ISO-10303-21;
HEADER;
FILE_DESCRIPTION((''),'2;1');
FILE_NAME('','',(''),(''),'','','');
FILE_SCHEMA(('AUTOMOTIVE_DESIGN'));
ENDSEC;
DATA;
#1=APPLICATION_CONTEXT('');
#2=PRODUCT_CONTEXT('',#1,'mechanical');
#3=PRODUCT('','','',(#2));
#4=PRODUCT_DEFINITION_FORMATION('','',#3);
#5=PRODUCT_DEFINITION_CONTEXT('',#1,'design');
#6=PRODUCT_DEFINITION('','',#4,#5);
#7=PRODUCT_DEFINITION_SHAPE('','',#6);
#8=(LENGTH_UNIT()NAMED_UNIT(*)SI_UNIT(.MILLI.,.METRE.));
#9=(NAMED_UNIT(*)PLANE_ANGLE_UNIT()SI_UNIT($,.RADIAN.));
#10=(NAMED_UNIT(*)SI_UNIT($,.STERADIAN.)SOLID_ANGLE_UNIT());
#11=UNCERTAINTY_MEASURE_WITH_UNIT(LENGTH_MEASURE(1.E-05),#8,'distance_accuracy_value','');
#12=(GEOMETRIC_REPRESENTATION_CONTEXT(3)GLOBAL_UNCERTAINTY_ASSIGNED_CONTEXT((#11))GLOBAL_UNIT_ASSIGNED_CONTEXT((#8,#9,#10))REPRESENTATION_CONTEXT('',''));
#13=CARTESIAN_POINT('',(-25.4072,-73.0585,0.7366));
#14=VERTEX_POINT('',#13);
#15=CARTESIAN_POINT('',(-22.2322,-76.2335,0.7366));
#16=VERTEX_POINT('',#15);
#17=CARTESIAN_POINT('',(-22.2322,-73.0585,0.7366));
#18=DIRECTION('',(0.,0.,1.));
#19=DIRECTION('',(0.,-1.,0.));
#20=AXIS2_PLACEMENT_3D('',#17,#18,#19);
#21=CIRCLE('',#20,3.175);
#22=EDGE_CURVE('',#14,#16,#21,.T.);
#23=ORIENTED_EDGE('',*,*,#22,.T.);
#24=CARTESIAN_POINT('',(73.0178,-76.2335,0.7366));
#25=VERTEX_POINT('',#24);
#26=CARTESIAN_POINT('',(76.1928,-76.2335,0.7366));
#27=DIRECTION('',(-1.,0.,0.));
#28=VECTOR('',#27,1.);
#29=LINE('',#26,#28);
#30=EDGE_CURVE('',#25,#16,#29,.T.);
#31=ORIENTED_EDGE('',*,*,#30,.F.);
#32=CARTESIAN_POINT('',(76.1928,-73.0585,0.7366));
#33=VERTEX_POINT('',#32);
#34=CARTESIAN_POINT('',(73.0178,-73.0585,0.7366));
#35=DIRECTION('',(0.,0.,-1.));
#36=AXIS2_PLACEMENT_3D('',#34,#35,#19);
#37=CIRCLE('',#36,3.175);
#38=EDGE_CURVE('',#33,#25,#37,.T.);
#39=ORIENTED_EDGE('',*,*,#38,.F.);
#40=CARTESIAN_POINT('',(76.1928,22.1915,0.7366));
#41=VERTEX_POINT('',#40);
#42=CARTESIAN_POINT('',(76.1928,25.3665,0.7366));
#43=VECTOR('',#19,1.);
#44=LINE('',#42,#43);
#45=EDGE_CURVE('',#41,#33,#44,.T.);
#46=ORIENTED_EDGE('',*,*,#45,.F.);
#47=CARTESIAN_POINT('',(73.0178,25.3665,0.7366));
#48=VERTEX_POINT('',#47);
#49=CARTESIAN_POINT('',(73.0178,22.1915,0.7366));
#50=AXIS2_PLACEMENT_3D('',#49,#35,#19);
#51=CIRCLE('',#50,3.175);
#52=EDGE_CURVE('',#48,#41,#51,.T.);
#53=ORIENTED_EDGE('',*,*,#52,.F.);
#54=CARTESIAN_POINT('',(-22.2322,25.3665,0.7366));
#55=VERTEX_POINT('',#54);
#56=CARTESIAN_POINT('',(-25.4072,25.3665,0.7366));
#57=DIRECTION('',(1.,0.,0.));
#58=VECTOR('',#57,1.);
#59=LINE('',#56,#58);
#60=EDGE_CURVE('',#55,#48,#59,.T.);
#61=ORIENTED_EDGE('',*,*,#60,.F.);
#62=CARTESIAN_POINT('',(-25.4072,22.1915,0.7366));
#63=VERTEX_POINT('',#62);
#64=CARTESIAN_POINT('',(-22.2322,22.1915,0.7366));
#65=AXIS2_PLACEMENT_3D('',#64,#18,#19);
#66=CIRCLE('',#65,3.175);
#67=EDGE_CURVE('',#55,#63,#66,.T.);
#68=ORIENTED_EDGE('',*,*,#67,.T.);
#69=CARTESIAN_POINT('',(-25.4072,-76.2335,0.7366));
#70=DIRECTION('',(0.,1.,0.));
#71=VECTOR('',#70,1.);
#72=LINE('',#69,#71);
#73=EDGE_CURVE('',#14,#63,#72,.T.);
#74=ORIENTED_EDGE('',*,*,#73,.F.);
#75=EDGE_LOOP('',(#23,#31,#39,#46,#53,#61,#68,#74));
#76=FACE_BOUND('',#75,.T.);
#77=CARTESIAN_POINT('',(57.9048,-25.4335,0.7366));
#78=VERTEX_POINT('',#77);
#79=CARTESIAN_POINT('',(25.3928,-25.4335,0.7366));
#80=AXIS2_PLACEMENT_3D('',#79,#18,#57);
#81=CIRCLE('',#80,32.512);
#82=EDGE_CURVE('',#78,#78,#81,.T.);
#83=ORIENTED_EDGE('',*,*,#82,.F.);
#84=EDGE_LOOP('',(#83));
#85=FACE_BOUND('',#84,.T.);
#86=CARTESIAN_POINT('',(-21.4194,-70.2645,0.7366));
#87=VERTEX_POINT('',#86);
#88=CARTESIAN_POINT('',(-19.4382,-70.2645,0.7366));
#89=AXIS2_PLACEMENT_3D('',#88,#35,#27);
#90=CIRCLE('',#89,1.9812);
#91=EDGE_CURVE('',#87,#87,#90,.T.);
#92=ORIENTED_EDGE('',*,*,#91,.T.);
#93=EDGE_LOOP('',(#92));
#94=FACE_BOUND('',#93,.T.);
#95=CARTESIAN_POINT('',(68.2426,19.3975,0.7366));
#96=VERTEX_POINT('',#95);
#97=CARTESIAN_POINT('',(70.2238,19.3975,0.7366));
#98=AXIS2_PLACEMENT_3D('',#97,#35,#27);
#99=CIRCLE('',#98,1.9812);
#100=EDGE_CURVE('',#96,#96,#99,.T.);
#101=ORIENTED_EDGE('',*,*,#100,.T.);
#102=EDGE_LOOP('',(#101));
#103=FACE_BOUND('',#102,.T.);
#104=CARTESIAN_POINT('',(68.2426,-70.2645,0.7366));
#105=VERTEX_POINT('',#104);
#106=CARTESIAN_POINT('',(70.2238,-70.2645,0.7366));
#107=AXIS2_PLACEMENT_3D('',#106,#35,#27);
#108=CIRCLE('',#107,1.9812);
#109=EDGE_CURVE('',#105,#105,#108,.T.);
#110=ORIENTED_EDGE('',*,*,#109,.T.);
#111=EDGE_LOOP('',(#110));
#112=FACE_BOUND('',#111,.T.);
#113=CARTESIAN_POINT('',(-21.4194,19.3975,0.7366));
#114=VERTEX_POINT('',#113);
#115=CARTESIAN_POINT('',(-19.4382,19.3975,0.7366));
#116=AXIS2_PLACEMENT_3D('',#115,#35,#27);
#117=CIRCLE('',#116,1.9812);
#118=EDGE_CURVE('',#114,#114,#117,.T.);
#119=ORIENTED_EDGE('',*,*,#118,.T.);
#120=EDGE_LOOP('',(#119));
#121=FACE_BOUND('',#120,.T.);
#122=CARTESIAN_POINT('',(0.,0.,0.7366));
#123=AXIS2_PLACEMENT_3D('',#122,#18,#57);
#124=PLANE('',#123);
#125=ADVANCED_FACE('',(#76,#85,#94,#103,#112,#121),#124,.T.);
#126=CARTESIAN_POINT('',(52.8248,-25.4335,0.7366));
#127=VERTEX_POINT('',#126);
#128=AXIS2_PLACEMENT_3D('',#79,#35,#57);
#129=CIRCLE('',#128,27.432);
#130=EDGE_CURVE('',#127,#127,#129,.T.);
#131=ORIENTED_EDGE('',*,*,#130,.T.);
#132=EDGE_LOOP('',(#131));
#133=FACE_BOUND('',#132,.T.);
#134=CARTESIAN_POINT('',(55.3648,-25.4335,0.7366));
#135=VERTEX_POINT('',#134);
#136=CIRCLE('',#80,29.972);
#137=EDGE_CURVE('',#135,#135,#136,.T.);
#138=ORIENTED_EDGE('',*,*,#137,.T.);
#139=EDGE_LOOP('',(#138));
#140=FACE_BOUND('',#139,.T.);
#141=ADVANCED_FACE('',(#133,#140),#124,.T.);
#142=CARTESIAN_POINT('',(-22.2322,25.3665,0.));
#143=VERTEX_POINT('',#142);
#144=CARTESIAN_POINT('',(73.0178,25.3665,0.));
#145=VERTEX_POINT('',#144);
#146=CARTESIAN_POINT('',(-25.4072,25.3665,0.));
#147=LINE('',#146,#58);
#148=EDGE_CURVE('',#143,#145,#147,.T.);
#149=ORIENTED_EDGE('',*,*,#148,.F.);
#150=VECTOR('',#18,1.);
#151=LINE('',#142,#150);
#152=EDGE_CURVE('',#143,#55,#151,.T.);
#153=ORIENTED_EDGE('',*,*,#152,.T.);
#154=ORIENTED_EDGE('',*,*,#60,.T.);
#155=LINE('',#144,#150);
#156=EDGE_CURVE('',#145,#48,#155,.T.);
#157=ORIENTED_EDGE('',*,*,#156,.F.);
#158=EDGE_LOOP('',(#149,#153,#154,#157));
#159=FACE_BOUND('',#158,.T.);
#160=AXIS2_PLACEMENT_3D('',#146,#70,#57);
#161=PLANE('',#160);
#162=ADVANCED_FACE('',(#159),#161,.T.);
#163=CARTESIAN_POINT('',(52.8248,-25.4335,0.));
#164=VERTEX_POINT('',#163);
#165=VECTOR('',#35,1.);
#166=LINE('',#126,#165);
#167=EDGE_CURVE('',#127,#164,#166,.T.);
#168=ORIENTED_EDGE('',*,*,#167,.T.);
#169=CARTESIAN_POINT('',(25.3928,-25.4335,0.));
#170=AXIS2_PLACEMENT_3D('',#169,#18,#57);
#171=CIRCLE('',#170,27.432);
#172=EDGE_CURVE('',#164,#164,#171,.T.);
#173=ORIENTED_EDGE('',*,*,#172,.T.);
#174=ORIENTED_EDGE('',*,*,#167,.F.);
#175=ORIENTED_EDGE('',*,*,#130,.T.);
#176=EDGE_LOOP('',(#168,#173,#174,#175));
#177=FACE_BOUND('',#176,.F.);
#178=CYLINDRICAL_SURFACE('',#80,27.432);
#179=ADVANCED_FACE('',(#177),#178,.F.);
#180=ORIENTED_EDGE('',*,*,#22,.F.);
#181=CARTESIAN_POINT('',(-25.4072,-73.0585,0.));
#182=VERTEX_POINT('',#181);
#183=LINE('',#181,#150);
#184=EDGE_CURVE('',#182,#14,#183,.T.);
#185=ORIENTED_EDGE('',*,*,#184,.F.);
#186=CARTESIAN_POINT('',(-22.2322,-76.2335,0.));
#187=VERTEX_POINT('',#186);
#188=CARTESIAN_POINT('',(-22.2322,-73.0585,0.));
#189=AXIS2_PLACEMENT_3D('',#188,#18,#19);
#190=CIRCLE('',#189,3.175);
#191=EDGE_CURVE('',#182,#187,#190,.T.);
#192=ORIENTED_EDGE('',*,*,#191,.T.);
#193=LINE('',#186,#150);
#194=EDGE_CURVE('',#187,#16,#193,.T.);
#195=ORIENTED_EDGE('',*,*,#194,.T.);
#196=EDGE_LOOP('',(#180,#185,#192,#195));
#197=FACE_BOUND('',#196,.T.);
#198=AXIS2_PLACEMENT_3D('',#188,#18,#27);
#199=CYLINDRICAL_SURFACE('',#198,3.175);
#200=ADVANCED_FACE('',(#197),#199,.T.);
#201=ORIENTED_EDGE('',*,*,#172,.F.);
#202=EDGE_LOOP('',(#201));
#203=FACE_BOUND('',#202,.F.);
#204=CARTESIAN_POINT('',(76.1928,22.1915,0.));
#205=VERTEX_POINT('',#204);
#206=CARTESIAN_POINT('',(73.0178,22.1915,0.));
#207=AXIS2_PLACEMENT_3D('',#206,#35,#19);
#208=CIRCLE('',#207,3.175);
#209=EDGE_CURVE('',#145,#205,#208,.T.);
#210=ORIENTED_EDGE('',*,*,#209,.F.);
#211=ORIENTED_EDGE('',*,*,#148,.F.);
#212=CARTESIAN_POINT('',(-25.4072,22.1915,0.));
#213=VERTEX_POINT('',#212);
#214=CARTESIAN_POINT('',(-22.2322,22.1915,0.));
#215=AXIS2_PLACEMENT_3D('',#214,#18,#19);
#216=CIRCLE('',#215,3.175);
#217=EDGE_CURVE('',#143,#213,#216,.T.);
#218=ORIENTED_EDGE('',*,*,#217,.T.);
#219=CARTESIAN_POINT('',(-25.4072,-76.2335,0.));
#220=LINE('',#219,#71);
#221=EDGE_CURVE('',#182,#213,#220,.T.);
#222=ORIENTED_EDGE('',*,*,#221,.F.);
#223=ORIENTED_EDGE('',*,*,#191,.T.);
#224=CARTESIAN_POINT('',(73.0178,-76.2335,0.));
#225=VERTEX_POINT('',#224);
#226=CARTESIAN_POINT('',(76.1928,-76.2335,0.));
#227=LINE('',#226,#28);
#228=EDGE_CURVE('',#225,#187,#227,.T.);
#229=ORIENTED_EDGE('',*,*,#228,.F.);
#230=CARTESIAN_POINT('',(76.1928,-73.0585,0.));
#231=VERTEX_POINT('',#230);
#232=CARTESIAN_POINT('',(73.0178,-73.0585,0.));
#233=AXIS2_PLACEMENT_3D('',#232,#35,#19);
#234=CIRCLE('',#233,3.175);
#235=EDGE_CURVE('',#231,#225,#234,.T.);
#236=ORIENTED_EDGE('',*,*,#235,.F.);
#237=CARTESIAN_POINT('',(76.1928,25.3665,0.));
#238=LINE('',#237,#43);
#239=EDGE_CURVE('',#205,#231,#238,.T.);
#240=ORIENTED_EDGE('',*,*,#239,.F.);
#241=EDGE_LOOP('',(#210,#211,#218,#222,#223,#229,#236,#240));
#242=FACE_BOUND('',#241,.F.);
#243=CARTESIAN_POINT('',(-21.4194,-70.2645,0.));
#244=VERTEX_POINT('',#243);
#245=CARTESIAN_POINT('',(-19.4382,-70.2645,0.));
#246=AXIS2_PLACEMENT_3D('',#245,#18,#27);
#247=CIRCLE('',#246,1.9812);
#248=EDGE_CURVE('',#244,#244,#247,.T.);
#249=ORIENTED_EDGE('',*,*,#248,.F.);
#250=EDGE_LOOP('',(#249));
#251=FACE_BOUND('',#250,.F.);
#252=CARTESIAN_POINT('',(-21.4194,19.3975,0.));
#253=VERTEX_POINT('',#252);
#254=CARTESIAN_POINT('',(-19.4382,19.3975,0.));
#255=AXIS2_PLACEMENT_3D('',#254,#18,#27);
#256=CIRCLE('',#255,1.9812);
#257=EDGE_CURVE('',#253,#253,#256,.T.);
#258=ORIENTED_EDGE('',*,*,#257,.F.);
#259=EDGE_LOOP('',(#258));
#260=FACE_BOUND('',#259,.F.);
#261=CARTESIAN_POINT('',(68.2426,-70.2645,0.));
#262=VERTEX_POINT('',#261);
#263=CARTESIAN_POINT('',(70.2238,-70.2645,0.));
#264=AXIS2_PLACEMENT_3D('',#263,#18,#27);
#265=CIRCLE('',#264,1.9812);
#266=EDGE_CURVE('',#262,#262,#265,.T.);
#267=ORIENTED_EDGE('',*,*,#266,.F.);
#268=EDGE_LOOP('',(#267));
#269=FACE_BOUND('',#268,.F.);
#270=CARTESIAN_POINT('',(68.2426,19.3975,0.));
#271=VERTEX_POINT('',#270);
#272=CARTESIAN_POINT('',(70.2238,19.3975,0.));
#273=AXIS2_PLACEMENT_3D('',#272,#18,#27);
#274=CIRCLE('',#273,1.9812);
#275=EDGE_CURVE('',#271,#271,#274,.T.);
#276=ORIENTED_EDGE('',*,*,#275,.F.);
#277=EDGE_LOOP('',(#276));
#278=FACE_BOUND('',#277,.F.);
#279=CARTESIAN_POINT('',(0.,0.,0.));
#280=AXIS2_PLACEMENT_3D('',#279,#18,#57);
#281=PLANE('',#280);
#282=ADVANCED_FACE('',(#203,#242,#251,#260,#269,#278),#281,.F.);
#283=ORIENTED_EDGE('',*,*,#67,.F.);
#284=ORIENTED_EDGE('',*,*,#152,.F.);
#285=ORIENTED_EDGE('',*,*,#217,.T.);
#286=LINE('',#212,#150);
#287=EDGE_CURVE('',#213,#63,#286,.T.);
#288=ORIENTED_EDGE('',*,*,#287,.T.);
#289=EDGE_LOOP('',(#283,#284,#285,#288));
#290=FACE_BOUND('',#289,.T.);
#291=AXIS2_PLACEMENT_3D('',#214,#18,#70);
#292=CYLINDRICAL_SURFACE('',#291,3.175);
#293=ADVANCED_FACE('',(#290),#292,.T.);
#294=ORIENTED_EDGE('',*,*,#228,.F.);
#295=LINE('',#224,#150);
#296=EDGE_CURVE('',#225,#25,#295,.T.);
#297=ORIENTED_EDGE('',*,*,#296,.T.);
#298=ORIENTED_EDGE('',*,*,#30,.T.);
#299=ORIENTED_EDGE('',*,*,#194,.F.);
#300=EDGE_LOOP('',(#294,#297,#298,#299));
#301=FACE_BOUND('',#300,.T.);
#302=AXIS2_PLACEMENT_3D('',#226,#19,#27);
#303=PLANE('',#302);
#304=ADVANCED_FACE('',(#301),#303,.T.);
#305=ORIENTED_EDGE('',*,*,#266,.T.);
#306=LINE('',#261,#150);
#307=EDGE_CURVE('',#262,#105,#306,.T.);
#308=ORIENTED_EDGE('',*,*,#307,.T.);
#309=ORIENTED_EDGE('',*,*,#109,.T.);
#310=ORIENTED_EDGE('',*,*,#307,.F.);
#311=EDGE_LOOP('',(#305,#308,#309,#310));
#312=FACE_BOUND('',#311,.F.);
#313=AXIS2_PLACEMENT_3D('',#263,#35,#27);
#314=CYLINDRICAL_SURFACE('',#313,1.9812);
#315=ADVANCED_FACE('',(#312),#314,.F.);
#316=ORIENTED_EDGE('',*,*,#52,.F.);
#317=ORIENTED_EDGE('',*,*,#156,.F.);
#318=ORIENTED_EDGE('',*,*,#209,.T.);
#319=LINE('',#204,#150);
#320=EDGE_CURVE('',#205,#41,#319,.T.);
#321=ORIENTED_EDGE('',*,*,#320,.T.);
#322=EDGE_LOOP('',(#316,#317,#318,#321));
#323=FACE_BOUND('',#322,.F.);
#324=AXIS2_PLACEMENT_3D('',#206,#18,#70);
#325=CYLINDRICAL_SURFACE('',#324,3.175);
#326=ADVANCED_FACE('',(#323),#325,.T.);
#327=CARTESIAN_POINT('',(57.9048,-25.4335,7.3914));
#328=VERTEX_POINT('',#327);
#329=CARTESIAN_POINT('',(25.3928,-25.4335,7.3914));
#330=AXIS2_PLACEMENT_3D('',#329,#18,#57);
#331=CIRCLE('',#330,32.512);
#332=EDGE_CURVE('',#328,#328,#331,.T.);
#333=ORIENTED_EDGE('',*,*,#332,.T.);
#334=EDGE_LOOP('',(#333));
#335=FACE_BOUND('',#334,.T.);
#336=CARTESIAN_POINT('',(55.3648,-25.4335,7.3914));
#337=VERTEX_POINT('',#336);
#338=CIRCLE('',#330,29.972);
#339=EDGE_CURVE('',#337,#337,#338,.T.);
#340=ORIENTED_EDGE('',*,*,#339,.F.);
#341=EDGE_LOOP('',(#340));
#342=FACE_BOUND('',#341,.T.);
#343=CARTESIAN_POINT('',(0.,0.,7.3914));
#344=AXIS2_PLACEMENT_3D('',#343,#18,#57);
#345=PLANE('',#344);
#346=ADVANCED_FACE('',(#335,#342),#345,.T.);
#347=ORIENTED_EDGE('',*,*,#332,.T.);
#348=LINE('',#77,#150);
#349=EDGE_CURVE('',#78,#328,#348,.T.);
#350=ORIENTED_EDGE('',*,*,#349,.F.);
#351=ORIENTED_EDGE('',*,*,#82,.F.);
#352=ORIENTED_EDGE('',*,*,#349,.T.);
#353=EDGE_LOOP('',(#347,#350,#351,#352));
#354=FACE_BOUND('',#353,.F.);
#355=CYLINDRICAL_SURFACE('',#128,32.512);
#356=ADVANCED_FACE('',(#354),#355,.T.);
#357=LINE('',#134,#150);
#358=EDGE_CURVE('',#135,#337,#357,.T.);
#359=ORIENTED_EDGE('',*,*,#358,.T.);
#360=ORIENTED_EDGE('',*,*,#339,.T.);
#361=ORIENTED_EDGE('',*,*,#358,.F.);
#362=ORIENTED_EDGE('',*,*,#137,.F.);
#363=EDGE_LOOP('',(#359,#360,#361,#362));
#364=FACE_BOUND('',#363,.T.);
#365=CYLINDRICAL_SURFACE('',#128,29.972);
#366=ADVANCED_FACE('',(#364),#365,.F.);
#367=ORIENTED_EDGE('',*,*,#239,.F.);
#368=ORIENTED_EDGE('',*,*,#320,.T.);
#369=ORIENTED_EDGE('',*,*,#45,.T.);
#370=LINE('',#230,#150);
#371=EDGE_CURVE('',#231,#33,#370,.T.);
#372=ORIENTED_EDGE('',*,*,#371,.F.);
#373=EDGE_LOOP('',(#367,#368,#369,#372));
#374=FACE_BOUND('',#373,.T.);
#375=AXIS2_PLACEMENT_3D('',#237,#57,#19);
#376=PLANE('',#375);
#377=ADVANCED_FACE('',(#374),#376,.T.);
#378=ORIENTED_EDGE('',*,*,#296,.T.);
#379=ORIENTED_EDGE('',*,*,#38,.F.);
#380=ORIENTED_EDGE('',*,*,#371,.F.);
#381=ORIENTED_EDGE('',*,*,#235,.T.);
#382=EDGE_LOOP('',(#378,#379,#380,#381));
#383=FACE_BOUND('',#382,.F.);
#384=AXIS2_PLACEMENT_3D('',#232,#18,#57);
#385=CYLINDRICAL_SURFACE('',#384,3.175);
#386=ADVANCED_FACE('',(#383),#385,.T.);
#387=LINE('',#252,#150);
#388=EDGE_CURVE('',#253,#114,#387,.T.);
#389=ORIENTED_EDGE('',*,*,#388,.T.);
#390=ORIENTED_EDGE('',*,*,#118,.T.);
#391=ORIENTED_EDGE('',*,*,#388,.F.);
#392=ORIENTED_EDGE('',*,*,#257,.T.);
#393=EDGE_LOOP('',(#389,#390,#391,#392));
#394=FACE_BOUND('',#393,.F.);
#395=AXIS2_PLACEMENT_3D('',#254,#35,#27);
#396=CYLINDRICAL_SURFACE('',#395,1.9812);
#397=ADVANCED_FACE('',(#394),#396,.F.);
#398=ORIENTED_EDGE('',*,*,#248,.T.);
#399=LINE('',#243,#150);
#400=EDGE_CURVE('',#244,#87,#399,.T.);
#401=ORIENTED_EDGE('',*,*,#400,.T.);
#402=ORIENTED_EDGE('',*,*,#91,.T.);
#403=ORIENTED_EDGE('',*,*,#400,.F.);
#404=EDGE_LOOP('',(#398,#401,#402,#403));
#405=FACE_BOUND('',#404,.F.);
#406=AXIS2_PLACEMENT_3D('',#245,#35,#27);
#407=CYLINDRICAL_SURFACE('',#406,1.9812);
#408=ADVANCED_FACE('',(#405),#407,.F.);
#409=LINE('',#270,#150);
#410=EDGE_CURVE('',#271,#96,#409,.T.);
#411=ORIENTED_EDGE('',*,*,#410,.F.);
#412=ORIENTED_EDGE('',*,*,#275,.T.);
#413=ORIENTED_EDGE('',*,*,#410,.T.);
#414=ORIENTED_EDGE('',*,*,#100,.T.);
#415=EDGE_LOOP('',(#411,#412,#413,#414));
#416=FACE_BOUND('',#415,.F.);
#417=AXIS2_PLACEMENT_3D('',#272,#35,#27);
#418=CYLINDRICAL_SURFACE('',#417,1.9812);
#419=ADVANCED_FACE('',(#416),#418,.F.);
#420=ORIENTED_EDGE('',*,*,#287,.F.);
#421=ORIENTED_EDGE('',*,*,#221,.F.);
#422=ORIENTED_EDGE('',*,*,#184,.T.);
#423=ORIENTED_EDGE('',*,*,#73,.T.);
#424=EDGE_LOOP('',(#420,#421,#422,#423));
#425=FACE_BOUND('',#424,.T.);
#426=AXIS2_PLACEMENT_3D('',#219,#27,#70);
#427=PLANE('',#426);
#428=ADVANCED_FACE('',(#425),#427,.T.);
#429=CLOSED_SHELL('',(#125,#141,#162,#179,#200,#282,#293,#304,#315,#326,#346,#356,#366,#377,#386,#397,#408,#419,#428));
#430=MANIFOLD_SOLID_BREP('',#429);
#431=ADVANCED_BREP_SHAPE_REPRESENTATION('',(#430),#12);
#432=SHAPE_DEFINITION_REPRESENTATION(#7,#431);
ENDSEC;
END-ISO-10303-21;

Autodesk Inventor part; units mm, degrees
ref_plane "YZ Plane" through (0, 0, 0) normal (1, 0, 0) x (0, 1, 0)
ref_plane "XZ Plane" through (0, 0, 0) normal (0, 1, 0) x (-1, 0, 0)
ref_plane "XY Plane" through (0, 0, 0) normal (0, 0, 1) x (1, 0, 0)
sketch "Sketch1" plane through (0, 0, 0) normal (0, 0, 1) x (1, 0, 0)
  line L0 (-25.4072, 25.3665) -> (76.1928, 25.3665)
  line L1 (76.1928, 25.3665) -> (76.1928, -76.2335)
  line L2 (76.1928, -76.2335) -> (-25.4072, -76.2335)
  line L3 (-25.4072, -76.2335) -> (-25.4072, 25.3665)
  point P0 (0, 0)
  dimension "d0" = 101.6
  dimension "d1" = 101.6
extrude "Extrusion1" add sketch "Sketch1" along normal blind 0.7366
sketch "Sketch2" plane through (0, 0, 0.7366) normal (0, 0, 1) x (1, 0, 0)
  line L0 (-25.4072, 25.3665) -> (76.1928, -76.2335)
  line L1 (76.1928, 25.3665) -> (-25.4072, -76.2335)
  circle A0 centre (25.3928, -25.4335) radius 27.432
  point P0 (0, 0)
  dimension "d4" = 54.864
extrude "Extrusion2" cut sketch "Sketch2" against normal blind 0.7366
sketch "Sketch3" plane through (0, 0, 0.7366) normal (0, 0, 1) x (1, 0, 0)
  line L0 (-25.4072, -76.2335) -> (-25.4072, 25.3665) projected
  line L1 (-25.4072, 25.3665) -> (-25.4072, -25.4335)
  line L2 (-25.4072, -25.4335) -> (-25.4072, 19.4102)
  line L3 (-25.4072, 25.3665) -> (76.1928, -76.2335)
  line L4 (76.1928, 25.3665) -> (-25.4072, -76.2335)
  circle A0 centre (-19.4509, 19.4102) radius 1.9812
  point P0 (0, 0)
  dimension "d7" = 44.8437
  dimension "d8" = 3.9624
extrude "Extrusion3" cut sketch "Sketch3" against normal blind 0.7366 contours A0 L3 | L3 A0
sketch "Sketch4" plane through (0, 0, 0.7366) normal (0, 0, 1) x (1, 0, 0)
  line L0 (-25.4072, -76.2335) -> (76.1928, 25.3665)
  line L1 (-25.4072, 25.3665) -> (76.1928, -76.2335)
  circle A0 centre (70.2365, 19.4102) radius 1.9819
  circle A1 centre (70.2365, -70.2772) radius 1.983
  circle A2 centre (-19.4509, -70.2772) radius 1.9812
  point P0 (0, 0)
extrude "Extrusion4" cut sketch "Sketch4" against normal blind 0.7366
sketch "Sketch5" plane through (0, 0, 0.7366) normal (0, 0, 1) x (1, 0, 0)
  circle A0 centre (25.3928, -25.4335) radius 27.432 projected
  circle A1 centre (25.3928, -25.4335) radius 29.972
  circle A2 centre (25.3928, -25.4335) radius 32.512
  point P0 (0, 0)
  dimension "d13" = 59.944
  dimension "d14" = 65.024
extrude "Extrusion5" add sketch "Sketch5" along normal blind 6.6548 contours A2
fillet "Fillet1" radius 3.175 4 edges at (-25.4072, 25.3665, 0.3683) (76.1928, 25.3665, 0.3683) (76.1928, -76.2335, 0.3683) (-25.4072, -76.2335, 0.3683)
sketch "Sketch6" plane through (0, 0, 0) normal (0, 0, -1) x (-1, 0, 0)
  circle A0 centre (-70.2365, 19.4102) radius 1.9819 projected
  circle A1 centre (19.4509, -70.2772) radius 1.9812 projected
  circle A2 centre (-70.2365, -70.2772) radius 1.983 projected
  circle A3 centre (19.4509, 19.4102) radius 1.9812 projected
  point P0 (0, 0)
extrude "Extrusion6" add sketch "Sketch6" against normal blind 0.7366
sketch "Sketch7" plane through (0, 0, 0) normal (0, 0, -1) x (-1, 0, 0)
  line L0 (-76.1928, 25.3665) -> (-70.2238, 25.3665)
  line L1 (-70.2238, 25.3665) -> (-70.2238, 19.3975)
  line L2 (-70.2238, 19.3975) -> (-76.1928, 19.3975)
  line L3 (-76.1928, 19.3975) -> (-76.1928, 25.3665)
  line L4 (-76.1928, -76.2335) -> (-70.2238, -76.2335)
  line L5 (-70.2238, -76.2335) -> (-70.2238, -70.2645)
  line L6 (-70.2238, -70.2645) -> (-76.1928, -70.2645)
  line L7 (-76.1928, -70.2645) -> (-76.1928, -76.2335)
  line L8 (25.4072, 25.3665) -> (19.4382, 25.3665)
  line L9 (19.4382, 25.3665) -> (19.4382, 19.3975)
  line L10 (19.4382, 19.3975) -> (25.4072, 19.3975)
  line L11 (25.4072, 19.3975) -> (25.4072, 25.3665)
  line L12 (25.4072, -76.2335) -> (19.4382, -76.2335)
  line L13 (19.4382, -76.2335) -> (19.4382, -70.2645)
  line L14 (19.4382, -70.2645) -> (25.4072, -70.2645)
  line L15 (25.4072, -70.2645) -> (25.4072, -76.2335)
  circle A0 centre (-70.2238, -70.2645) radius 1.9812
  circle A1 centre (-70.2238, 19.3975) radius 1.9812
  circle A2 centre (19.4382, 19.3975) radius 1.9812
  circle A3 centre (19.4382, -70.2645) radius 1.9812
  point P0 (0, 0)
  dimension "d20" = 5.969
  dimension "d21" = 5.969
  dimension "d22" = 5.969
  dimension "d23" = 5.969
  dimension "d24" = 5.969
  dimension "d25" = 3.9624
extrude "Extrusion7" cut sketch "Sketch7" against normal blind 0.7366 contours A1 L2 L1 | L1 L2 A1 | A0 L6 L5 | L5 L6 A0 | A2 L10 L9 | L9 L10 A2 | A3 L14 L13 | L13 L14 A3
properties part number "1"
